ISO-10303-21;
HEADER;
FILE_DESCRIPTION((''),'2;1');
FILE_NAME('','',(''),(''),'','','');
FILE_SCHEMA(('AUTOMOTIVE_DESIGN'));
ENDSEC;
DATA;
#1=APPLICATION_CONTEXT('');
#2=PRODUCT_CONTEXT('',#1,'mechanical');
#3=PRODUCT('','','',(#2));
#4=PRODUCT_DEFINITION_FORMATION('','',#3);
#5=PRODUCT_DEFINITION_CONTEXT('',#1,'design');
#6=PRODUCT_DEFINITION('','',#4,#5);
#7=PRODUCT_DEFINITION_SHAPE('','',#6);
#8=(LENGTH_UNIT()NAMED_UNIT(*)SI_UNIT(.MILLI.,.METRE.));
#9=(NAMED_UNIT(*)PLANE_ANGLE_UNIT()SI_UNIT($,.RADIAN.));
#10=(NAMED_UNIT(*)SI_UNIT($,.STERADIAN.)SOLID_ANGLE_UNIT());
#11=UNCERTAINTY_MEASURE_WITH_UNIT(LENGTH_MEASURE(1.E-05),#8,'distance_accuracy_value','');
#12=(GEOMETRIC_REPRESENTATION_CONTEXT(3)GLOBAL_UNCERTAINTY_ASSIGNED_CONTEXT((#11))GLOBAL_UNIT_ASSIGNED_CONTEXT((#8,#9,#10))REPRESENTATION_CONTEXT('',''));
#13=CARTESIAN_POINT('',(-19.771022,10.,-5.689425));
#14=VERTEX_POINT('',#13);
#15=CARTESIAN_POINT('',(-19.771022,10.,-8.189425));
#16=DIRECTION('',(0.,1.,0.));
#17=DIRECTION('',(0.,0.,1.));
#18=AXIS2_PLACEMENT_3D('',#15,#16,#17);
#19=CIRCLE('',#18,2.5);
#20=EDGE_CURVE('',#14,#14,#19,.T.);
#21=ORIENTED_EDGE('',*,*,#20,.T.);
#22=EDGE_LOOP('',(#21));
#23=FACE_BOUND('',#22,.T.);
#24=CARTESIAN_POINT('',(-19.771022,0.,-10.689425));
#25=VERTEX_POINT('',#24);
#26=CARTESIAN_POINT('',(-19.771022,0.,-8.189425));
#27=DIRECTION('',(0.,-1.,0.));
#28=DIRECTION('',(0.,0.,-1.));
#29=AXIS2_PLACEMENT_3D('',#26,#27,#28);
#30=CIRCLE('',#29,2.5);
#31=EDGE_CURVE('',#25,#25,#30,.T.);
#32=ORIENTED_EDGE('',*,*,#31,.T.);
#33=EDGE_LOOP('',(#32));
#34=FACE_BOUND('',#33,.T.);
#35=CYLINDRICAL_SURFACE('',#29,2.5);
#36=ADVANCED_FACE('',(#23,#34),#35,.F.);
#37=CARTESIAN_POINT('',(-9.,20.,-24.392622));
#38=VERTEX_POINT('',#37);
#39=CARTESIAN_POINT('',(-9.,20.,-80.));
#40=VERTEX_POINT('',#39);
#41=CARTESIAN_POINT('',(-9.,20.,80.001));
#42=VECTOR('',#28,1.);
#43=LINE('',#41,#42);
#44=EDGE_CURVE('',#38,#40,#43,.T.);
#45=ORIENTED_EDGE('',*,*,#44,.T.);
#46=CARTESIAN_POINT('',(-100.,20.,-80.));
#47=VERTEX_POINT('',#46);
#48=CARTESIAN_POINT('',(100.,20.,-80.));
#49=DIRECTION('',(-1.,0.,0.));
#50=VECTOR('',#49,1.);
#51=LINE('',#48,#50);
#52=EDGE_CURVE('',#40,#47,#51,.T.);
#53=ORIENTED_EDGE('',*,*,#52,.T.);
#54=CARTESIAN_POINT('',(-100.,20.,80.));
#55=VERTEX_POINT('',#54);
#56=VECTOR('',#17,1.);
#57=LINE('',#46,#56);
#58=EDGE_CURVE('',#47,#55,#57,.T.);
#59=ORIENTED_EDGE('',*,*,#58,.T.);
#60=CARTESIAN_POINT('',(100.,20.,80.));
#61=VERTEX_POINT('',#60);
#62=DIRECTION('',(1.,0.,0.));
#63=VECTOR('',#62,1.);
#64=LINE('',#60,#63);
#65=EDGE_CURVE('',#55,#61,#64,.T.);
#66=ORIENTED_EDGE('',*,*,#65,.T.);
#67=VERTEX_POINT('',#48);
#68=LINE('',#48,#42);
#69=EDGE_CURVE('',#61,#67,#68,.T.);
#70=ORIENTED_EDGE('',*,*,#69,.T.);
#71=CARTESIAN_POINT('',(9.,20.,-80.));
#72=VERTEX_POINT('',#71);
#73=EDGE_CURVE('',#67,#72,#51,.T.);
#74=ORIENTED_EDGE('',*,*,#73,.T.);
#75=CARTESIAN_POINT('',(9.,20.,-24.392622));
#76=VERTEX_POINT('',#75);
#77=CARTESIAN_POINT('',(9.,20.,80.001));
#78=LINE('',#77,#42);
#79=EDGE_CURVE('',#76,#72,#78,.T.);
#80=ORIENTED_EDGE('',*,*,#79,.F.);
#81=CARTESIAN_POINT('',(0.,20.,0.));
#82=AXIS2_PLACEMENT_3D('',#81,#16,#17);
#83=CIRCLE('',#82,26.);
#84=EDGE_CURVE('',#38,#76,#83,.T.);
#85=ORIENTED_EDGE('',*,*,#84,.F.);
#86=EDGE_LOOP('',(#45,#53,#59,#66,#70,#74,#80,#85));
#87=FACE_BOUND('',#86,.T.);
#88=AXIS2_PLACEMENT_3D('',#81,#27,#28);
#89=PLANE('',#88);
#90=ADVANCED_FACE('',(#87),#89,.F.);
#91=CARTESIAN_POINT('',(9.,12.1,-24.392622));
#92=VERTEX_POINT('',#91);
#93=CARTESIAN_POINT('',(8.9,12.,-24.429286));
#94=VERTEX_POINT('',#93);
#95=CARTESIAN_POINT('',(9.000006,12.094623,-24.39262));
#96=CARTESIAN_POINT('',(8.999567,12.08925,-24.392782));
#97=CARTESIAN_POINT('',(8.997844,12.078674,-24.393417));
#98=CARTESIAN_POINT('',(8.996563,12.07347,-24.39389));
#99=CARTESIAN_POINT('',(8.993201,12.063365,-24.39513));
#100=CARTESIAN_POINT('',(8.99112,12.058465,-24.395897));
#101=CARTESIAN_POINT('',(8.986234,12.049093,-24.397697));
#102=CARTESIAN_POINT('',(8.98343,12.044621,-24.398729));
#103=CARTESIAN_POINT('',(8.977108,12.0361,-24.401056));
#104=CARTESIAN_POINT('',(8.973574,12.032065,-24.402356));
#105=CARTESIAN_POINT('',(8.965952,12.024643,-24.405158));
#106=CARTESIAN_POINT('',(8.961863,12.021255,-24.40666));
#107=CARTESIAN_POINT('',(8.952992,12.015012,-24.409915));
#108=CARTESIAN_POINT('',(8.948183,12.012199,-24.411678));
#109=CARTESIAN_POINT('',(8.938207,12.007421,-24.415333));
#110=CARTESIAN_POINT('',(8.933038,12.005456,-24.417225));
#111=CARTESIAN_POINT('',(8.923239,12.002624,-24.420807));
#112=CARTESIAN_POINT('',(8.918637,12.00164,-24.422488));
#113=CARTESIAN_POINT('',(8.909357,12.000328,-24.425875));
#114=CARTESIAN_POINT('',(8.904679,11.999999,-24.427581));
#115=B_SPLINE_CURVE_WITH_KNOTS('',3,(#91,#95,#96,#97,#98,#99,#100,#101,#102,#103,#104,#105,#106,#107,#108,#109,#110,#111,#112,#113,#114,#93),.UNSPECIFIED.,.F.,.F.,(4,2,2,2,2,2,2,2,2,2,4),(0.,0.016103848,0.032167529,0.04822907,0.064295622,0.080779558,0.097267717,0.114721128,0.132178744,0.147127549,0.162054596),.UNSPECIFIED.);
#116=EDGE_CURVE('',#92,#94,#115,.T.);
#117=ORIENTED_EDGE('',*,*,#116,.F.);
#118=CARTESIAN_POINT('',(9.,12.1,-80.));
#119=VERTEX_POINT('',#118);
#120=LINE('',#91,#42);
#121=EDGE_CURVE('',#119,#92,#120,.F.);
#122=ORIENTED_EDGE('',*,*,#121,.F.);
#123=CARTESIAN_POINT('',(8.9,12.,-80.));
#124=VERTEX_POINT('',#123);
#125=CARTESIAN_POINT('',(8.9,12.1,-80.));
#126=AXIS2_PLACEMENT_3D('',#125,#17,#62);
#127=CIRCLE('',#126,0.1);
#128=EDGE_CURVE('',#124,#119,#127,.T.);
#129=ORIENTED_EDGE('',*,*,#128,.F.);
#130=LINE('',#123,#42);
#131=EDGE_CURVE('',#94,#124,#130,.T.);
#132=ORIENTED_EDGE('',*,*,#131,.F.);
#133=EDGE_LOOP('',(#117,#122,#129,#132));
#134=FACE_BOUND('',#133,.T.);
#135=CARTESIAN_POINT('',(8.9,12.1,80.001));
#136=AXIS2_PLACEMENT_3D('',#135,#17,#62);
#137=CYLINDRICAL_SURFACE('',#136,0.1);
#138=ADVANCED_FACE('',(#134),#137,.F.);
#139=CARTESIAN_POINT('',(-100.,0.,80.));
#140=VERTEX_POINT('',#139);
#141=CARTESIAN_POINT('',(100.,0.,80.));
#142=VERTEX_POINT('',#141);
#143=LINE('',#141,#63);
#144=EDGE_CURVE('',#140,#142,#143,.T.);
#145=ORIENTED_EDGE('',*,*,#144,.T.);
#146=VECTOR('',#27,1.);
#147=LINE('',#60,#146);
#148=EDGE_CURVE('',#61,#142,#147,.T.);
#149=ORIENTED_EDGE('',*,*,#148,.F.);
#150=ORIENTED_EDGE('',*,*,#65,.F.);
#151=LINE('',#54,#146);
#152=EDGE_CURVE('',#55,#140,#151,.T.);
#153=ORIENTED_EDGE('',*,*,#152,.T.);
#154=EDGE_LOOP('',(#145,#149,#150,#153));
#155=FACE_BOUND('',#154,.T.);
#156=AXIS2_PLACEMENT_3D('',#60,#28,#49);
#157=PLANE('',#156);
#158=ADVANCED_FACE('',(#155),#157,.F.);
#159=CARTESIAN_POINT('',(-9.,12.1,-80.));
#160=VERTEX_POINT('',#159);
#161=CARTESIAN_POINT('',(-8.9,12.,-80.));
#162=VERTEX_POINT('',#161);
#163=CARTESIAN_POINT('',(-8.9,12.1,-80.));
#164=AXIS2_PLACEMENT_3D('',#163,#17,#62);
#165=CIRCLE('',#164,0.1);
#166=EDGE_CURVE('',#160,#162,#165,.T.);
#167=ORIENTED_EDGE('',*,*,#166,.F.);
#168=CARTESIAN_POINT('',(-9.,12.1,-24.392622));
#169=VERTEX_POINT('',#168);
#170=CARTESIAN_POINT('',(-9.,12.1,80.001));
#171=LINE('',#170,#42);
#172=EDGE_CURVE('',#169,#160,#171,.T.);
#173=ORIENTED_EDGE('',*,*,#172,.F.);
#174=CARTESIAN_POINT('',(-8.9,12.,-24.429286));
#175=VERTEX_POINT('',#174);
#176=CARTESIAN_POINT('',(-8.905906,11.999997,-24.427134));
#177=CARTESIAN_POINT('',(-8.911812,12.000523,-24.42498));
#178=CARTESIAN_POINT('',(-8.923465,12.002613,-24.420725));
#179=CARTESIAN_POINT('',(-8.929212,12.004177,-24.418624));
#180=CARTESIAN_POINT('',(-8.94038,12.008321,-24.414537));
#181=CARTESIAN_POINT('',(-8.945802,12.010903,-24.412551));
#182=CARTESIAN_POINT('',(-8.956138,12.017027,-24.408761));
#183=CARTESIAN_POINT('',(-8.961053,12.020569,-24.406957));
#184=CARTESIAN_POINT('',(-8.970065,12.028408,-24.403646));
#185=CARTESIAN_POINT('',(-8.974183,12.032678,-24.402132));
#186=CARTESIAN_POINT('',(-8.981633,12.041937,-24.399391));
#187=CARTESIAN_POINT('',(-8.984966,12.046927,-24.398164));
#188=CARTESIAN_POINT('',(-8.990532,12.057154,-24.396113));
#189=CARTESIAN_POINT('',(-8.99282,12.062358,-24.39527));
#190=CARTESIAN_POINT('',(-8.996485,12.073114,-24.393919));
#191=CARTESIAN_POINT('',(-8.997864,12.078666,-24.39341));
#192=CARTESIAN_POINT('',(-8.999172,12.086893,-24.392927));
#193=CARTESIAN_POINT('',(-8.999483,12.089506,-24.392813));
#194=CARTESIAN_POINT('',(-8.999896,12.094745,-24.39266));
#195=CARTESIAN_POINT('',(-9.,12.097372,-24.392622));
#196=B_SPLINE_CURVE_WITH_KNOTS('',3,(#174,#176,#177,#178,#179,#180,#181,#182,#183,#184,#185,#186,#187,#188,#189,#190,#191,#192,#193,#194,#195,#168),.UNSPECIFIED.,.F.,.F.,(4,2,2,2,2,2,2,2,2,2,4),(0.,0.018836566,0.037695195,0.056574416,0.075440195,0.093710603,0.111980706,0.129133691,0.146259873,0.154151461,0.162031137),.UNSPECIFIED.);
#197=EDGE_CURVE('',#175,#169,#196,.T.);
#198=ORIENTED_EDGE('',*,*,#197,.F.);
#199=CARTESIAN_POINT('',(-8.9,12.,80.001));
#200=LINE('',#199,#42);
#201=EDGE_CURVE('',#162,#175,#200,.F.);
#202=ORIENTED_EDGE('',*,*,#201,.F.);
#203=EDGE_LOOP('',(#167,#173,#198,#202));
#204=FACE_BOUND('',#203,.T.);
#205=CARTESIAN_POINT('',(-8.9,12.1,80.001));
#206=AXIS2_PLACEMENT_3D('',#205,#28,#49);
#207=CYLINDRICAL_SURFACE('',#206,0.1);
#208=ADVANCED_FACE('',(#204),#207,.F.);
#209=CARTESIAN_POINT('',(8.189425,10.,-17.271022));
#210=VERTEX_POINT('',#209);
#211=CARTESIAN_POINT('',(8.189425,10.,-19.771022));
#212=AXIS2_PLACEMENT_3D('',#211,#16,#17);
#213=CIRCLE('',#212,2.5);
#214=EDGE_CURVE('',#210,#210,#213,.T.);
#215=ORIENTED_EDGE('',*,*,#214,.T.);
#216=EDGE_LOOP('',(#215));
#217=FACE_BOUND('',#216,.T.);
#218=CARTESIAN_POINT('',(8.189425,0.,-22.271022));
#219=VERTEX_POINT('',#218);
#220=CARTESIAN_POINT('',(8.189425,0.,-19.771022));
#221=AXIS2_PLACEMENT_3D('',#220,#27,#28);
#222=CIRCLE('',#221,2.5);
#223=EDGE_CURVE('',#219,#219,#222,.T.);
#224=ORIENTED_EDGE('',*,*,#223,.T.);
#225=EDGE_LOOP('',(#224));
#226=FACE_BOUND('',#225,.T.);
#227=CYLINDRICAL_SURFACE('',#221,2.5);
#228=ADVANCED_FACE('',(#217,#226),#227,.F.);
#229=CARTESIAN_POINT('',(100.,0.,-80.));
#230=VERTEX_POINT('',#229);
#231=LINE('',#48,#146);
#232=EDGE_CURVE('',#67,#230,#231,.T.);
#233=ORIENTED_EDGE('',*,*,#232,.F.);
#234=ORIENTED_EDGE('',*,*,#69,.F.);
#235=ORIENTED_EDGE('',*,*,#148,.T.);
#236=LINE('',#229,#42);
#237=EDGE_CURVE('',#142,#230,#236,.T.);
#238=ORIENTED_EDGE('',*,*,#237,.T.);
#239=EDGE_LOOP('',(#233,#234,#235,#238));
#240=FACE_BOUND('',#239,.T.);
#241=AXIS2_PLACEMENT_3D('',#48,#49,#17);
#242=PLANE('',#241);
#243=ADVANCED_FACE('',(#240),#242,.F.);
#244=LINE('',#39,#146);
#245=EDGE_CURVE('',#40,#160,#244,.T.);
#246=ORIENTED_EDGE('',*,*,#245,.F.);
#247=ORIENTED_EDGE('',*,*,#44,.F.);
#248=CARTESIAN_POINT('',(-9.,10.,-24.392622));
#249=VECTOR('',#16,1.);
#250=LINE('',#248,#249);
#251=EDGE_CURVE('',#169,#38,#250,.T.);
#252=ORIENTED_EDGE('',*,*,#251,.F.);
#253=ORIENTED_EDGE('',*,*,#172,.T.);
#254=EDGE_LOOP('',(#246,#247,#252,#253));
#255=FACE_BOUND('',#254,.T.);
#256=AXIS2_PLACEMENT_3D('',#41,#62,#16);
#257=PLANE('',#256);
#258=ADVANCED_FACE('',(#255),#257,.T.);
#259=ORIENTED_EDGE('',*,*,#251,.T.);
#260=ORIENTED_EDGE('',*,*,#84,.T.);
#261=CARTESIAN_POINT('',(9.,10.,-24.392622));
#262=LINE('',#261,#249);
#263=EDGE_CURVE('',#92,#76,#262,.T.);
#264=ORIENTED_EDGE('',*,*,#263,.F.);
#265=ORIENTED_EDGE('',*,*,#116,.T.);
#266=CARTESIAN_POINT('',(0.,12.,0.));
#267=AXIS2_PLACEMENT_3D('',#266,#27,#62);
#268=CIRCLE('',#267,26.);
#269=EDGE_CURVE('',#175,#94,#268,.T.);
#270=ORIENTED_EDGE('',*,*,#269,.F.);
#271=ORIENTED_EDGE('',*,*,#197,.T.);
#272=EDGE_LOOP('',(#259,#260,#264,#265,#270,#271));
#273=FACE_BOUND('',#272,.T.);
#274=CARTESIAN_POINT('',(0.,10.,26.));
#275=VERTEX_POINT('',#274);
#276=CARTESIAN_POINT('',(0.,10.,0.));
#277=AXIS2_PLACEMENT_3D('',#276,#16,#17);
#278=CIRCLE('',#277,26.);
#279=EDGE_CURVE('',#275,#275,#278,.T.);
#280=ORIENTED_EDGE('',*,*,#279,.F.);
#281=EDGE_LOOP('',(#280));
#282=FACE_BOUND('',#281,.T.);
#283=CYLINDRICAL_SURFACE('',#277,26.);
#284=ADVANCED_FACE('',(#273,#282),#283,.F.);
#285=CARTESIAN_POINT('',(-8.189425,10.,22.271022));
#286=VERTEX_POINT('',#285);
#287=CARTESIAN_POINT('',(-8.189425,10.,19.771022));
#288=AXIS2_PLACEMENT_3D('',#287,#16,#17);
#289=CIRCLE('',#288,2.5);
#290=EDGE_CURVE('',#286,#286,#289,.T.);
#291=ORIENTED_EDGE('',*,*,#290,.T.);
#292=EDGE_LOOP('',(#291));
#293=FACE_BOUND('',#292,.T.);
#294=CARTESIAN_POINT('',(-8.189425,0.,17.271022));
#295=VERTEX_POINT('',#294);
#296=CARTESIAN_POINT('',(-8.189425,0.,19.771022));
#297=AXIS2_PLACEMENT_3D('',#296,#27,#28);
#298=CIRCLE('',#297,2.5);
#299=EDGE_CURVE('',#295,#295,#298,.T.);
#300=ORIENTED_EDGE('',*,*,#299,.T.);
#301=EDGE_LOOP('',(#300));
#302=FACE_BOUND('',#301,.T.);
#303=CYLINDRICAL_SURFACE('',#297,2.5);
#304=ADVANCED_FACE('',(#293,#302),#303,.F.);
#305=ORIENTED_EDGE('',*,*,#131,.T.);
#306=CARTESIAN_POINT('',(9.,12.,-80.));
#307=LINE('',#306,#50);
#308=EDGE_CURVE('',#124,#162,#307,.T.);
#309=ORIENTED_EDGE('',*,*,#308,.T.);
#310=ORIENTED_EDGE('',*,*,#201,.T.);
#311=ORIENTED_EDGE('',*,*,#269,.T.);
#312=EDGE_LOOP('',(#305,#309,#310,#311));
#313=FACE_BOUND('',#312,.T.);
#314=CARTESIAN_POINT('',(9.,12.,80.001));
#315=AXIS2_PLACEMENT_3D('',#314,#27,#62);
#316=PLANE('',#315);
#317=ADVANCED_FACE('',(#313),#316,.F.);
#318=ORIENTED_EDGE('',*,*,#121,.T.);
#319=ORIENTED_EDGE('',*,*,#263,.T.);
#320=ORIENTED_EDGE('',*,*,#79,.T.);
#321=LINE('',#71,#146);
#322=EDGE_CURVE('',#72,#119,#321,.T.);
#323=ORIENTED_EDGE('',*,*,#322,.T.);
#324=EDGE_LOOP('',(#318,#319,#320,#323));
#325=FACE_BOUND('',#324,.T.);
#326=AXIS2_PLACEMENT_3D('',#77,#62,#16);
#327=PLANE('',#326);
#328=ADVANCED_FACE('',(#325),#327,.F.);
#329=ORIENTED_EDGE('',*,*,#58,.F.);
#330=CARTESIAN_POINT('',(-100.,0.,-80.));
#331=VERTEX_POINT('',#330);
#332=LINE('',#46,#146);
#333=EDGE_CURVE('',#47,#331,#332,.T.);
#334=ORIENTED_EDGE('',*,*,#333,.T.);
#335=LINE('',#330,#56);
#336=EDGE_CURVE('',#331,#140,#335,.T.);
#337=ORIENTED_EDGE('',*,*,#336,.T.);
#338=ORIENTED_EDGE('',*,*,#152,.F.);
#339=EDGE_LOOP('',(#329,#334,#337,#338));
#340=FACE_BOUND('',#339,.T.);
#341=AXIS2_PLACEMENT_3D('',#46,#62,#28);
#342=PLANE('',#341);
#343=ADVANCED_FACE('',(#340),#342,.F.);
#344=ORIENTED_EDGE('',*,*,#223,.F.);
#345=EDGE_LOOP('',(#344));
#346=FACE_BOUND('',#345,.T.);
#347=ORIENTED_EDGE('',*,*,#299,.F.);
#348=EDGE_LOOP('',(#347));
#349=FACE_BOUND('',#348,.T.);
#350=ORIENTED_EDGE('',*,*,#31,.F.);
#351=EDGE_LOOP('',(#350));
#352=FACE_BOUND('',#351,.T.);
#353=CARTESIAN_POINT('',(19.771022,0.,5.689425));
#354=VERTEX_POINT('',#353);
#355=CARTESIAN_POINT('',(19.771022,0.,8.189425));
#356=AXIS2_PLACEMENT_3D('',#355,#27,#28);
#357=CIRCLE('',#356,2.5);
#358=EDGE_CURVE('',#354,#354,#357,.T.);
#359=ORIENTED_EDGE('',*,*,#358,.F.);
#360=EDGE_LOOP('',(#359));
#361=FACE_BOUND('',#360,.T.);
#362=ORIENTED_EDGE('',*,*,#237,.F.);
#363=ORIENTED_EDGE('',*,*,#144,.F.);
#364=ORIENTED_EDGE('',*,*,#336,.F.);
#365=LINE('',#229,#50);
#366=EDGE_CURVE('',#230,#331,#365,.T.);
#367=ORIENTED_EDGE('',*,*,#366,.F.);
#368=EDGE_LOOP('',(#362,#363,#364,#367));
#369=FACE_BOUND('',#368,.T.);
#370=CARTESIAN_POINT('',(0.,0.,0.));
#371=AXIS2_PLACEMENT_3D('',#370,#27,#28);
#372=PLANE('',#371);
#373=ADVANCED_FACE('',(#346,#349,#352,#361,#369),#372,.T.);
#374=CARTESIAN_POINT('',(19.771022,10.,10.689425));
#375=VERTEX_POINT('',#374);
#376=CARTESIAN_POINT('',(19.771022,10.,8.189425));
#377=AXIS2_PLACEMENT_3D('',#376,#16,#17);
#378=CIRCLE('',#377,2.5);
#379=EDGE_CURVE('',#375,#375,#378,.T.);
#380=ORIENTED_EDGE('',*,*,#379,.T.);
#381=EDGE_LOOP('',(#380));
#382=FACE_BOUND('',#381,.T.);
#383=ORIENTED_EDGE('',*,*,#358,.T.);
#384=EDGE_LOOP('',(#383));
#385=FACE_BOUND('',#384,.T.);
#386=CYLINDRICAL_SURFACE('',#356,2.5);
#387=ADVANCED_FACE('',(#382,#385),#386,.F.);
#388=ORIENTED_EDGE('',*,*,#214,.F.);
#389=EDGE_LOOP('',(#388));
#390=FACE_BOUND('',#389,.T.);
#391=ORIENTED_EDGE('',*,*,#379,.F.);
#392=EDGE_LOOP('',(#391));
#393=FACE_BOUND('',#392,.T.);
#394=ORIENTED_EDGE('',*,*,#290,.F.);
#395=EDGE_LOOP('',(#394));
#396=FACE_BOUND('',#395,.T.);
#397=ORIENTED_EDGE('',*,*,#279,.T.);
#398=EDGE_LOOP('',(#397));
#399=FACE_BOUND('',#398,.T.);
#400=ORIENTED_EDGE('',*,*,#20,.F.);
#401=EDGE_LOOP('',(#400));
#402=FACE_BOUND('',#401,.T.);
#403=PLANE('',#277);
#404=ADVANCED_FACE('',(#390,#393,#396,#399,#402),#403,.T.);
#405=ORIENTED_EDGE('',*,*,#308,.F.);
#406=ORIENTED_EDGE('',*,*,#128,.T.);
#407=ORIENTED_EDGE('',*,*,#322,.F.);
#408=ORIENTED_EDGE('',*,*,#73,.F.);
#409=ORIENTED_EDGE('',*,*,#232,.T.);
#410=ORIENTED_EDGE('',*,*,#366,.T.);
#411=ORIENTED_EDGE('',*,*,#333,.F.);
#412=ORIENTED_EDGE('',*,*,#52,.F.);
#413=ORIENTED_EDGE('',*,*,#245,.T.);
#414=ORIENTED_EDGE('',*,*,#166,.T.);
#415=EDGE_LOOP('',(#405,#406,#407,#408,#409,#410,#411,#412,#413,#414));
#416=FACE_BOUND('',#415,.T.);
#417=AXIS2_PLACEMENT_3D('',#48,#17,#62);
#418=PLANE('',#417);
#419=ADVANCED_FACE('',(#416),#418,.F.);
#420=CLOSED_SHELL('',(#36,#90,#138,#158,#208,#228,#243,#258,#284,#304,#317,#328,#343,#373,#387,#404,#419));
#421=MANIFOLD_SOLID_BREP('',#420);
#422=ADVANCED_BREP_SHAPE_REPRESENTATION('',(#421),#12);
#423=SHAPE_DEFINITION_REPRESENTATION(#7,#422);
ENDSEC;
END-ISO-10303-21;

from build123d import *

# Parameters (mm, degrees)
SKETCH1_W                 = 200
SKETCH1_H                 = 160
BASE_DEPTH                = 20
SKETCH2_R                 = 26
LOAD_CELL_CUT_DEPTH       = 10
CUT_WIRE_REACH            = 162
SKETCH6_W                 = 18
SKETCH6_H                 = 8
FILLET6_R                 = 0.1
F_5_0MM_DOWEL_HOLE1_D     = 5
F_5_0MM_DOWEL_HOLE1_DEPTH = 10


with BuildPart() as part:
    # Sketch1 → base (new body)
    with BuildSketch(Plane(origin=(0, 0, 0), x_dir=(1, 0, 0), z_dir=(0, 1, 0))):
        Rectangle(SKETCH1_W, SKETCH1_H)
    extrude(amount=BASE_DEPTH)

    # Sketch2 → load cell cut (cut)
    with BuildSketch(Plane(origin=(0, 20, 0), x_dir=(1, 0, 0), z_dir=(0, 1, 0))):
        Circle(SKETCH2_R)
    extrude(amount=-LOAD_CELL_CUT_DEPTH, mode=Mode.SUBTRACT)

    # Sketch6 → cut wire (cut, up to next)
    with BuildSketch(Plane.XY.offset(-80), mode=Mode.PRIVATE) as cut_wire_sk1:
        with Locations((0, 16)):
            Rectangle(SKETCH6_W, SKETCH6_H)
    cut_wire_tool1 = extrude(cut_wire_sk1.sketch, amount=CUT_WIRE_REACH, mode=Mode.PRIVATE) & part.part
    add(cut_wire_tool1.solids().sort_by_distance((0, 16, -80))[0], mode=Mode.SUBTRACT)

    # Fillet6
    fillet6_edges = [part.edges().sort_by_distance(p)[0] for p in [
        (9, 12, -52.196310918),
        (-9, 12, -52.196310918),
    ]]
    fillet(fillet6_edges, radius=FILLET6_R)

    # Ø5.0mm Dowel Hole1
    with Locations(Plane(origin=(-8.189425453, 0, 19.771021996), x_dir=(0, 0, -1), z_dir=(0, -1, 0))):
        with Locations((0, 0), (11.581596543, 27.960447449), (39.542043992, 16.378850906), (27.960447449, -11.581596543)):
            Hole(F_5_0MM_DOWEL_HOLE1_D / 2, depth=F_5_0MM_DOWEL_HOLE1_DEPTH)


solid = part.part
